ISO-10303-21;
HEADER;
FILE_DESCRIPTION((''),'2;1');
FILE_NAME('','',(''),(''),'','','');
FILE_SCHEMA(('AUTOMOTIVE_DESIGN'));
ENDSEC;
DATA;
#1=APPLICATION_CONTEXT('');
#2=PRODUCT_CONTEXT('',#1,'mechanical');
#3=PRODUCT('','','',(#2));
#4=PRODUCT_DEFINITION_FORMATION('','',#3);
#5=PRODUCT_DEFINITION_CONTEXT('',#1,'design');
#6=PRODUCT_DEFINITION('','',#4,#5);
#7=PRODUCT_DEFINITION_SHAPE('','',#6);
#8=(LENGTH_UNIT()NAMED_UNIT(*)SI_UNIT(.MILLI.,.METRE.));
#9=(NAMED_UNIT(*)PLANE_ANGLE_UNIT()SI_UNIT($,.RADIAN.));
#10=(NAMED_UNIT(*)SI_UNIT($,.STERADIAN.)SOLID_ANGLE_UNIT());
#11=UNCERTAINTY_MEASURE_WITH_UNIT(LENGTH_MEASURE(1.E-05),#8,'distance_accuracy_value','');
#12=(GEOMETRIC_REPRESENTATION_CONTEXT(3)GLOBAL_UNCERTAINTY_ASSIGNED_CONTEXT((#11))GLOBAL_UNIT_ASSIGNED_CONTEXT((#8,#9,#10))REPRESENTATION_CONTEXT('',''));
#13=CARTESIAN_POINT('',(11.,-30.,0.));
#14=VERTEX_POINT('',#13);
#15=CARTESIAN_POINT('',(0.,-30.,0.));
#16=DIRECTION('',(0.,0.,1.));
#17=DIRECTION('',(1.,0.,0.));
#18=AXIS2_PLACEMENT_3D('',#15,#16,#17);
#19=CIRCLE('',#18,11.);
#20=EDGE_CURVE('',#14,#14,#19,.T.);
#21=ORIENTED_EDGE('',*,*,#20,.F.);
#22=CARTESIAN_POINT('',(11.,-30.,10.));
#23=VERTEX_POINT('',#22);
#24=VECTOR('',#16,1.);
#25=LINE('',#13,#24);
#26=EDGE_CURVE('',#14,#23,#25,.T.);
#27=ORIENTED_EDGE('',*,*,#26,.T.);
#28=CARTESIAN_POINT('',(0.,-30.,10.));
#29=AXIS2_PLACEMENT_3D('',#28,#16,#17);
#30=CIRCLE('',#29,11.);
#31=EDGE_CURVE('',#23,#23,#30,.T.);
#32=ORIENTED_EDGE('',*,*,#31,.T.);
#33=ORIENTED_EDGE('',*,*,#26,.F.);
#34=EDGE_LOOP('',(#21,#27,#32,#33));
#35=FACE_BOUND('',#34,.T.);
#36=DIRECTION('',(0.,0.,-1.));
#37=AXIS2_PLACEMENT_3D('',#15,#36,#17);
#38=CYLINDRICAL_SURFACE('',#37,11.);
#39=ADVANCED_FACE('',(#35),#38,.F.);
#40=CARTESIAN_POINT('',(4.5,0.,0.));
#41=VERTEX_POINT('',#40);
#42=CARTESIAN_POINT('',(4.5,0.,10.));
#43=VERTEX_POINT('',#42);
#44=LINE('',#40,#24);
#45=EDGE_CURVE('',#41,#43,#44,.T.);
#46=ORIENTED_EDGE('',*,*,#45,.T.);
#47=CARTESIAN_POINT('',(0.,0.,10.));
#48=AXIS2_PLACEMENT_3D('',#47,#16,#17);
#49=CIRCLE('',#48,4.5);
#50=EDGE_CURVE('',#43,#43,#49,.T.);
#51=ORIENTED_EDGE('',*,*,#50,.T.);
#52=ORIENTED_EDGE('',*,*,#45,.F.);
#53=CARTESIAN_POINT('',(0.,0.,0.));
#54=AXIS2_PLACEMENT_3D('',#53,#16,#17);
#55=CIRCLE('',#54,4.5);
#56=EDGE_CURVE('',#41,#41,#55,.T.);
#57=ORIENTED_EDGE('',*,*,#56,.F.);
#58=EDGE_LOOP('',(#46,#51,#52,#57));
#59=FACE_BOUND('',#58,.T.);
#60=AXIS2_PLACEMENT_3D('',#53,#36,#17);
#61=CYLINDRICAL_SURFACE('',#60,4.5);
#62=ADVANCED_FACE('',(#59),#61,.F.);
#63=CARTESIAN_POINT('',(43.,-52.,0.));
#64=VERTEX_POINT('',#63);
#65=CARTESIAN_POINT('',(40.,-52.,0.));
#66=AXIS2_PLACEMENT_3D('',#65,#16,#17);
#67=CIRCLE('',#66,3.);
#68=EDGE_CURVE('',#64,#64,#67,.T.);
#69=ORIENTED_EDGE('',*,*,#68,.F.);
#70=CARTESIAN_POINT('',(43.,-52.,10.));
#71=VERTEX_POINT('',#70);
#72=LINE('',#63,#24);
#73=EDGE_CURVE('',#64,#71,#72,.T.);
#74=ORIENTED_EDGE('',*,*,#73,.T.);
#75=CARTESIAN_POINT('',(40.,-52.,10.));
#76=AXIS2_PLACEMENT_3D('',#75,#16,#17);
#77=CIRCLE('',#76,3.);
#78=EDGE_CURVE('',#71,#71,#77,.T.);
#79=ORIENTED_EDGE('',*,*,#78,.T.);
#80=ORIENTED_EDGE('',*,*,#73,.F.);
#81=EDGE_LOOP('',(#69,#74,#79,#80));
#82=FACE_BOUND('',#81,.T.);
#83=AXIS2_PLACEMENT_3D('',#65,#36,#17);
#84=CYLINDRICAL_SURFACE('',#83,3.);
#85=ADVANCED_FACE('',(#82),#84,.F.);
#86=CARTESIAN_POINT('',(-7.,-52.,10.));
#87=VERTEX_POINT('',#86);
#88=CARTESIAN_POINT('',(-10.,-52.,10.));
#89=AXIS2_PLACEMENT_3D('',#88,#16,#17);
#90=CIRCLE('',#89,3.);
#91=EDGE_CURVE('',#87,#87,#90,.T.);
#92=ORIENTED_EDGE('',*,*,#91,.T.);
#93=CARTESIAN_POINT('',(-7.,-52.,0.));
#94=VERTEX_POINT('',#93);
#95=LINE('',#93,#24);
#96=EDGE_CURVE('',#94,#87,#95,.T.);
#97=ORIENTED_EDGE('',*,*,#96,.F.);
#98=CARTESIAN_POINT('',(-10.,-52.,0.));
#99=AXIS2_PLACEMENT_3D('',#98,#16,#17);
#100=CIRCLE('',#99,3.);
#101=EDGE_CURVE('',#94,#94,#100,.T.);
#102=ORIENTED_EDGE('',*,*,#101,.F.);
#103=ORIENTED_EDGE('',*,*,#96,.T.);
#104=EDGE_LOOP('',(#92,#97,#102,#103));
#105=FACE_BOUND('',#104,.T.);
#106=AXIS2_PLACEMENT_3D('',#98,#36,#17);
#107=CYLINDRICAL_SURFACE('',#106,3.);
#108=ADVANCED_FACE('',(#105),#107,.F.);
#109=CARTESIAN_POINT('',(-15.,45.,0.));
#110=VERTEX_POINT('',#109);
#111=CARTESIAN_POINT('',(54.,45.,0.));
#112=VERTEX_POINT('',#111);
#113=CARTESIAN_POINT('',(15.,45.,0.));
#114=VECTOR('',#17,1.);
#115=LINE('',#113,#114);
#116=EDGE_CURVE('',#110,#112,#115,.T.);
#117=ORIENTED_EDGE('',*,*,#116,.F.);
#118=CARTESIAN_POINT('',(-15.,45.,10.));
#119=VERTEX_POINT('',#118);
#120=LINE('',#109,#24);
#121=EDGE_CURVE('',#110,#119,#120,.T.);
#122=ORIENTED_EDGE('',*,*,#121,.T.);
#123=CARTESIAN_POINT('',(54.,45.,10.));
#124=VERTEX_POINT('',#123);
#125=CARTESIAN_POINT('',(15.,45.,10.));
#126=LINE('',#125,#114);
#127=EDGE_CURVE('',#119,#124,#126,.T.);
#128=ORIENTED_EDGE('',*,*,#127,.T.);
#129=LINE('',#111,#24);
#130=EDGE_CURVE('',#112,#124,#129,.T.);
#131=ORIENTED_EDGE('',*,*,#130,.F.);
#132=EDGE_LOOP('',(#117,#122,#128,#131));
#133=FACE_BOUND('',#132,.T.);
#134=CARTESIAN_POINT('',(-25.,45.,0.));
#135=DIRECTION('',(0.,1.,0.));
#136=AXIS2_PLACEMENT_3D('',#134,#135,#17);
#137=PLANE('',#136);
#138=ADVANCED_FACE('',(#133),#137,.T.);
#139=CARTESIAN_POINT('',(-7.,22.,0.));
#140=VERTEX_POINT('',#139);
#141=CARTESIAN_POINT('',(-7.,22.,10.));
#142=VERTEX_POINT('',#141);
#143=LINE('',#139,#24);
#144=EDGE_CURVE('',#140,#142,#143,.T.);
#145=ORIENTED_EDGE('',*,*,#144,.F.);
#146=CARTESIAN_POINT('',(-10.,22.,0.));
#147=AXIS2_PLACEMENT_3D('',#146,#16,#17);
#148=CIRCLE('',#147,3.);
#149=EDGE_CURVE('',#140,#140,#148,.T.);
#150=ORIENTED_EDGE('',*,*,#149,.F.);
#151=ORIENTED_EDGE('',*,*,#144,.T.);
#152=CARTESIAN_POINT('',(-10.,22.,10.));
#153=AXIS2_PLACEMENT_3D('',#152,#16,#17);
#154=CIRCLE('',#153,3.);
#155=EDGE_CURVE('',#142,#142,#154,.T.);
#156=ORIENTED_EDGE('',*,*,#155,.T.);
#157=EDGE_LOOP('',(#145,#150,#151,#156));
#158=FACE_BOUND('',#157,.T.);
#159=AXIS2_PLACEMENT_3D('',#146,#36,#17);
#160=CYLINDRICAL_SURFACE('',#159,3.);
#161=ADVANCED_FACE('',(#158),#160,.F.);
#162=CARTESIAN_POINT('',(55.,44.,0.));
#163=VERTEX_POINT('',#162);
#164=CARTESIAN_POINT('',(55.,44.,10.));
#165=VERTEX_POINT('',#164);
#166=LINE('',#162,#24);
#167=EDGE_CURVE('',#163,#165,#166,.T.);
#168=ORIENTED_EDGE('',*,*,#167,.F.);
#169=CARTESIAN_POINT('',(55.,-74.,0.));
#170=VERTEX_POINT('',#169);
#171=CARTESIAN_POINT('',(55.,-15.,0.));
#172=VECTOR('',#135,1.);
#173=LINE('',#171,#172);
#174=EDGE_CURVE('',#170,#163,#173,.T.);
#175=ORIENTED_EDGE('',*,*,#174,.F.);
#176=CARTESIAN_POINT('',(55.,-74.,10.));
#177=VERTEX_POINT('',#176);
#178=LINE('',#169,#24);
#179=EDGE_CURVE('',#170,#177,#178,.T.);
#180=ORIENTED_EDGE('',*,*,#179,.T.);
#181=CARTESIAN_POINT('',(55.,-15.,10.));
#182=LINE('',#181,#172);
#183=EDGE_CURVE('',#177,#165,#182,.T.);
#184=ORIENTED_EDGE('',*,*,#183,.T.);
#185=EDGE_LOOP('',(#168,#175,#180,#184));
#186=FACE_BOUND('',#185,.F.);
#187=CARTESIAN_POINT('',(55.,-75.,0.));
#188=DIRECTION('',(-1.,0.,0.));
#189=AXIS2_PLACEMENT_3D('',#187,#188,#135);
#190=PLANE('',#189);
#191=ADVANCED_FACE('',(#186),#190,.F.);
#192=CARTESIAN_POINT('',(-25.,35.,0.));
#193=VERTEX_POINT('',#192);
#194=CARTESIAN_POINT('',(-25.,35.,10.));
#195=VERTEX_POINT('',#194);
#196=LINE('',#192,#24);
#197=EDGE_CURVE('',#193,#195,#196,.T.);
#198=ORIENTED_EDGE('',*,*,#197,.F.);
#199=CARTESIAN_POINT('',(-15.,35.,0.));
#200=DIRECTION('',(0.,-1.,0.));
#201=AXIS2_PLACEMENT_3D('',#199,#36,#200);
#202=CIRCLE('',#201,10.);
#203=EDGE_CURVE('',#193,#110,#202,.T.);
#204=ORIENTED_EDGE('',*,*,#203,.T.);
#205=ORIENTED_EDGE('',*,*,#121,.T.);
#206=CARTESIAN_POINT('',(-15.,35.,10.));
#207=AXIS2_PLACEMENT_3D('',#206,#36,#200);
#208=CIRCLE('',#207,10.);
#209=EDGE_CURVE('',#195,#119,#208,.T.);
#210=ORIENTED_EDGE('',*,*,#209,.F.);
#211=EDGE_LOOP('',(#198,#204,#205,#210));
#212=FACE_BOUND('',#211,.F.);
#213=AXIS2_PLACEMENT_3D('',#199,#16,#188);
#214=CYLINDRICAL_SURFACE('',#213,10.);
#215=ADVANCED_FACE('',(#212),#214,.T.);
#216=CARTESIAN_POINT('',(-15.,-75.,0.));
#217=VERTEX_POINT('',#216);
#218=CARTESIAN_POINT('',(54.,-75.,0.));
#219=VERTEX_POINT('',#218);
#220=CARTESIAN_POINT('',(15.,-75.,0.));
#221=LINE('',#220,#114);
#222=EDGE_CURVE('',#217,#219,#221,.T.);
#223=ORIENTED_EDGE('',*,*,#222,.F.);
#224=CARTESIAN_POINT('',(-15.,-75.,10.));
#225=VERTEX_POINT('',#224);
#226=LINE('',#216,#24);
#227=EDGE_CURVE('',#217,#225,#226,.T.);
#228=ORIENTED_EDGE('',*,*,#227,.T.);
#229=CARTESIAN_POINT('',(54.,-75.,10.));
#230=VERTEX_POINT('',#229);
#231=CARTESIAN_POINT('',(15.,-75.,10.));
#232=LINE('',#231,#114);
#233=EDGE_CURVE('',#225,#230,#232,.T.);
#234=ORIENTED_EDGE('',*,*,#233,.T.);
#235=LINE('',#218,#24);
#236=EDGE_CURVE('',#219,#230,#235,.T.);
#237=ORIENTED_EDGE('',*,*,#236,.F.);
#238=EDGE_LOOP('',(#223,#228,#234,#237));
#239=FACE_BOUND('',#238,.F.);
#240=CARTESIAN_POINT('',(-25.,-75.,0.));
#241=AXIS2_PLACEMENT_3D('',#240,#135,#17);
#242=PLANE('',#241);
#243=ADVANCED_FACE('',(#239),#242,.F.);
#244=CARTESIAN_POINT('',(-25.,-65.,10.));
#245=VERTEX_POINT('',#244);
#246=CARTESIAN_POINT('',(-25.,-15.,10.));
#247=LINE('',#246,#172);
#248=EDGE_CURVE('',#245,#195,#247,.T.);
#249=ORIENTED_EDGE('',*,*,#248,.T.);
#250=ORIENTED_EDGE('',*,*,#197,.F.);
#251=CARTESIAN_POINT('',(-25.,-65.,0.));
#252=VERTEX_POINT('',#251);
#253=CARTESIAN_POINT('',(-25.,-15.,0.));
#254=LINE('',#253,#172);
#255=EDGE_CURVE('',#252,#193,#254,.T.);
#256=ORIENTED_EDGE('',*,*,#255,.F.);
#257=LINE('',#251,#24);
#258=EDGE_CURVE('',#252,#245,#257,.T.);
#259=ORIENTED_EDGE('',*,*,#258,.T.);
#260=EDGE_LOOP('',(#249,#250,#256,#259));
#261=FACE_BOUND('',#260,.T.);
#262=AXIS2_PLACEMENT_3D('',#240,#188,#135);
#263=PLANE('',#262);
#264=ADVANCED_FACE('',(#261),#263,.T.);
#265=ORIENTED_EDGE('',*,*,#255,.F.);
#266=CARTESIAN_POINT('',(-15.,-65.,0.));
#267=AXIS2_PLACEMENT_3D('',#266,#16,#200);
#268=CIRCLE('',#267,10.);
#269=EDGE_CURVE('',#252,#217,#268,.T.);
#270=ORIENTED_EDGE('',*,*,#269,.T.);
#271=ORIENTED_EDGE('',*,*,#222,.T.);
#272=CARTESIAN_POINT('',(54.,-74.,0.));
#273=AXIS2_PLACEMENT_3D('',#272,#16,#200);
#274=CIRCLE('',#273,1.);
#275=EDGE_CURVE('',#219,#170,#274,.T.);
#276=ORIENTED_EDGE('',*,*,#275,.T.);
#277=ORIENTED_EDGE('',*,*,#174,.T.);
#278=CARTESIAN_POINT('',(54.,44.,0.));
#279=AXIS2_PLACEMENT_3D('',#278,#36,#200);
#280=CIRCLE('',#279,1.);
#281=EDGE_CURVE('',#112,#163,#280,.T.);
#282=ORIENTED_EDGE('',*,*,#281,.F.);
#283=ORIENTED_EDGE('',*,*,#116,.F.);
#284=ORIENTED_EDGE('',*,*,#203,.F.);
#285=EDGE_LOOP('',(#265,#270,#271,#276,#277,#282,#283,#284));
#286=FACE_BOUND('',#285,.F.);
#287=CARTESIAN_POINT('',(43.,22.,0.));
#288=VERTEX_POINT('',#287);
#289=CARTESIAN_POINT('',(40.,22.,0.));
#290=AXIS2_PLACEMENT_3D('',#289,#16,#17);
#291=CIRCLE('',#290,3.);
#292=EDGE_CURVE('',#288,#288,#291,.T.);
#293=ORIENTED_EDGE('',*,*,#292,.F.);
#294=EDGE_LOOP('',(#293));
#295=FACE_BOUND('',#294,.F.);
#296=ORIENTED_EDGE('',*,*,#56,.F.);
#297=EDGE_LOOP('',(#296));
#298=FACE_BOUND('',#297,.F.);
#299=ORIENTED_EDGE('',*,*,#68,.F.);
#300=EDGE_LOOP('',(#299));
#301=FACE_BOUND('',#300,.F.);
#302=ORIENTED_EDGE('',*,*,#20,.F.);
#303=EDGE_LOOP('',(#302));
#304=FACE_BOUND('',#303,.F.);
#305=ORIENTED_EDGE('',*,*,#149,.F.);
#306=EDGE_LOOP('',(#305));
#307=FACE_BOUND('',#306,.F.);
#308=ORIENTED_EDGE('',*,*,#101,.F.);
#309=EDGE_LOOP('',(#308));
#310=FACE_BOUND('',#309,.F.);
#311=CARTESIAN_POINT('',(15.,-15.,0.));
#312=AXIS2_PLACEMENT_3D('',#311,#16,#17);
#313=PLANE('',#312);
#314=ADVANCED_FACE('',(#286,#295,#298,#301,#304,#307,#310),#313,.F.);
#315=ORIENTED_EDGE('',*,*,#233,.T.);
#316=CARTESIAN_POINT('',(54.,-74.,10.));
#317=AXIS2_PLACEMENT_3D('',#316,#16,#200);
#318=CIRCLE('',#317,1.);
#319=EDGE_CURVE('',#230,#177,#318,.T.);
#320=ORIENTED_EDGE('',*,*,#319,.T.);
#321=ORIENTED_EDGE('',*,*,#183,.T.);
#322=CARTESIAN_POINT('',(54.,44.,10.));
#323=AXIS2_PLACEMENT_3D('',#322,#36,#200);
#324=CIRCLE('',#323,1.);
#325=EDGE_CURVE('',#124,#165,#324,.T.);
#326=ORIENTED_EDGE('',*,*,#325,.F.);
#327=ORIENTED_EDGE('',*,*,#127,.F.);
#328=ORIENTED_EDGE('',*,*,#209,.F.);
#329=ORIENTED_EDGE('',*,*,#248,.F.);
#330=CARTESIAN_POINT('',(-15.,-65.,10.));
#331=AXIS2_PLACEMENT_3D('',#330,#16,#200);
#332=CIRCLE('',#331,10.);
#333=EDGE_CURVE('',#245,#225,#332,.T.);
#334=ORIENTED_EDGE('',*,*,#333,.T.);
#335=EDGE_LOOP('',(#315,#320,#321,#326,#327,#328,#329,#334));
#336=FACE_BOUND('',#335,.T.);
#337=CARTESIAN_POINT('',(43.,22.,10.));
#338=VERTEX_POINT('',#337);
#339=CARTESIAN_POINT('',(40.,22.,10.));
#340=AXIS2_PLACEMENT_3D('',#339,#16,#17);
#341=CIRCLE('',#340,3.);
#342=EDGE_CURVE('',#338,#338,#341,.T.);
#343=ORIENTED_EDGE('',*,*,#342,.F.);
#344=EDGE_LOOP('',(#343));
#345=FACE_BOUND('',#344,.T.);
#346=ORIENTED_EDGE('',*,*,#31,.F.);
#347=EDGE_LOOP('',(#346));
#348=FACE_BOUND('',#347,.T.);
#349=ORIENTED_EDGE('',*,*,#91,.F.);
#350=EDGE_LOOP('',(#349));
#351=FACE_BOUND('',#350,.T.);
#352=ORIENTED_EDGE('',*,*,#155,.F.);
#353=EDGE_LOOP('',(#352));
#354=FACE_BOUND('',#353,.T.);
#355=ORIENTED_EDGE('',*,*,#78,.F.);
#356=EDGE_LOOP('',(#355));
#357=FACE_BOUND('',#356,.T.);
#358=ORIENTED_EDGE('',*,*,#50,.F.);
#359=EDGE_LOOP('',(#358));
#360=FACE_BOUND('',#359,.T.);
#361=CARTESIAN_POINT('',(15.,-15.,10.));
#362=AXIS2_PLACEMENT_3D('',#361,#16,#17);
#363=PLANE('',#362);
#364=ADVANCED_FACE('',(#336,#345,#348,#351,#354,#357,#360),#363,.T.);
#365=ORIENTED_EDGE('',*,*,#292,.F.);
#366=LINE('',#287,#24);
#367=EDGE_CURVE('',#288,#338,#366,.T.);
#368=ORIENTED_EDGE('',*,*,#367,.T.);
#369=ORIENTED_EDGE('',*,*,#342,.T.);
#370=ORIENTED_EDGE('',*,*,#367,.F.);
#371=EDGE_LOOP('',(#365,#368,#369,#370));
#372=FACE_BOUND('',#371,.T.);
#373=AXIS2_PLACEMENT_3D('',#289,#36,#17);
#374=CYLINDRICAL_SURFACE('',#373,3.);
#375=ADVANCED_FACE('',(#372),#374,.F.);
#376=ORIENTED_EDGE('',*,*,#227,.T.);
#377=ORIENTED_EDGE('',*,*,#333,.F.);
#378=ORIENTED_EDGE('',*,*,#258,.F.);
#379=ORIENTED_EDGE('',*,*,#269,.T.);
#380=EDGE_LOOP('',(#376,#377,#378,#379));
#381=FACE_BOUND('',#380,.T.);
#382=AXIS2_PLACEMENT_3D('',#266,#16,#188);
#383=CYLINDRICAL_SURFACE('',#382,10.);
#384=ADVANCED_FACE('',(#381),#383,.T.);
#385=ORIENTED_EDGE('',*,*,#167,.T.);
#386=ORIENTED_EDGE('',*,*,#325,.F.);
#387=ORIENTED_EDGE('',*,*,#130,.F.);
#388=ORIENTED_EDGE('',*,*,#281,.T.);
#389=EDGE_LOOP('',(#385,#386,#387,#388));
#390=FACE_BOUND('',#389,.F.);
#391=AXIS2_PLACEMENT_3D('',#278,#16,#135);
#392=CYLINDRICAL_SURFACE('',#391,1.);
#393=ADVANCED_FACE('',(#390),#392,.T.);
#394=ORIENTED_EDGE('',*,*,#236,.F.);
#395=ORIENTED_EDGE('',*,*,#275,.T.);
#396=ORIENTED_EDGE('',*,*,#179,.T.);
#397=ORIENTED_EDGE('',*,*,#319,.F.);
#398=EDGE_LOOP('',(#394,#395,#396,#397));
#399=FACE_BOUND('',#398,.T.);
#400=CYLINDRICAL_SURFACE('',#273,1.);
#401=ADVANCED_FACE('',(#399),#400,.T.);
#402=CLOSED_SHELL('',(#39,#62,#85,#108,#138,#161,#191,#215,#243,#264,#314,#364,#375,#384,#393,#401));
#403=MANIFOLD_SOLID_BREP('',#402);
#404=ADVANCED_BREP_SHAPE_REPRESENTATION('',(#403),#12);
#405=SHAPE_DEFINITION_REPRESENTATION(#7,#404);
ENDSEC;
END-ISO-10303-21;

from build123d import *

# Parameters (mm, degrees)
SKETCH_W    = 80
SKETCH_H    = 120
SKETCH_R    = 4.5
SKETCH_R_2  = 11
SKETCH_R_3  = 3
PAD_DEPTH   = 10
FILLET_R    = 10
FILLET001_R = 1


with BuildPart() as part:
    # Sketch → Pad (new body)
    with BuildSketch(Plane.XY):
        with Locations((15, -15)):
            Rectangle(SKETCH_W, SKETCH_H)
        Circle(SKETCH_R, mode=Mode.SUBTRACT)
        with Locations((0, -30)):
            Circle(SKETCH_R_2, mode=Mode.SUBTRACT)
        with Locations((-10, -52)):
            Circle(SKETCH_R_3, mode=Mode.SUBTRACT)
        with Locations((40, -52)):
            Circle(SKETCH_R_3, mode=Mode.SUBTRACT)
        with Locations((40, 22)):
            Circle(SKETCH_R_3, mode=Mode.SUBTRACT)
        with Locations((-10, 22)):
            Circle(SKETCH_R_3, mode=Mode.SUBTRACT)
    extrude(amount=PAD_DEPTH)

    # Fillet
    fillet_edges = [part.edges().sort_by_distance(p)[0] for p in [
        (-25, -75, 5),
        (-25, 45, 5),
    ]]
    fillet(fillet_edges, radius=FILLET_R)

    # Fillet001
    fillet001_edges = [part.edges().sort_by_distance(p)[0] for p in [
        (55, -75, 5),
        (55, 45, 5),
    ]]
    fillet(fillet001_edges, radius=FILLET001_R)


solid = part.part
